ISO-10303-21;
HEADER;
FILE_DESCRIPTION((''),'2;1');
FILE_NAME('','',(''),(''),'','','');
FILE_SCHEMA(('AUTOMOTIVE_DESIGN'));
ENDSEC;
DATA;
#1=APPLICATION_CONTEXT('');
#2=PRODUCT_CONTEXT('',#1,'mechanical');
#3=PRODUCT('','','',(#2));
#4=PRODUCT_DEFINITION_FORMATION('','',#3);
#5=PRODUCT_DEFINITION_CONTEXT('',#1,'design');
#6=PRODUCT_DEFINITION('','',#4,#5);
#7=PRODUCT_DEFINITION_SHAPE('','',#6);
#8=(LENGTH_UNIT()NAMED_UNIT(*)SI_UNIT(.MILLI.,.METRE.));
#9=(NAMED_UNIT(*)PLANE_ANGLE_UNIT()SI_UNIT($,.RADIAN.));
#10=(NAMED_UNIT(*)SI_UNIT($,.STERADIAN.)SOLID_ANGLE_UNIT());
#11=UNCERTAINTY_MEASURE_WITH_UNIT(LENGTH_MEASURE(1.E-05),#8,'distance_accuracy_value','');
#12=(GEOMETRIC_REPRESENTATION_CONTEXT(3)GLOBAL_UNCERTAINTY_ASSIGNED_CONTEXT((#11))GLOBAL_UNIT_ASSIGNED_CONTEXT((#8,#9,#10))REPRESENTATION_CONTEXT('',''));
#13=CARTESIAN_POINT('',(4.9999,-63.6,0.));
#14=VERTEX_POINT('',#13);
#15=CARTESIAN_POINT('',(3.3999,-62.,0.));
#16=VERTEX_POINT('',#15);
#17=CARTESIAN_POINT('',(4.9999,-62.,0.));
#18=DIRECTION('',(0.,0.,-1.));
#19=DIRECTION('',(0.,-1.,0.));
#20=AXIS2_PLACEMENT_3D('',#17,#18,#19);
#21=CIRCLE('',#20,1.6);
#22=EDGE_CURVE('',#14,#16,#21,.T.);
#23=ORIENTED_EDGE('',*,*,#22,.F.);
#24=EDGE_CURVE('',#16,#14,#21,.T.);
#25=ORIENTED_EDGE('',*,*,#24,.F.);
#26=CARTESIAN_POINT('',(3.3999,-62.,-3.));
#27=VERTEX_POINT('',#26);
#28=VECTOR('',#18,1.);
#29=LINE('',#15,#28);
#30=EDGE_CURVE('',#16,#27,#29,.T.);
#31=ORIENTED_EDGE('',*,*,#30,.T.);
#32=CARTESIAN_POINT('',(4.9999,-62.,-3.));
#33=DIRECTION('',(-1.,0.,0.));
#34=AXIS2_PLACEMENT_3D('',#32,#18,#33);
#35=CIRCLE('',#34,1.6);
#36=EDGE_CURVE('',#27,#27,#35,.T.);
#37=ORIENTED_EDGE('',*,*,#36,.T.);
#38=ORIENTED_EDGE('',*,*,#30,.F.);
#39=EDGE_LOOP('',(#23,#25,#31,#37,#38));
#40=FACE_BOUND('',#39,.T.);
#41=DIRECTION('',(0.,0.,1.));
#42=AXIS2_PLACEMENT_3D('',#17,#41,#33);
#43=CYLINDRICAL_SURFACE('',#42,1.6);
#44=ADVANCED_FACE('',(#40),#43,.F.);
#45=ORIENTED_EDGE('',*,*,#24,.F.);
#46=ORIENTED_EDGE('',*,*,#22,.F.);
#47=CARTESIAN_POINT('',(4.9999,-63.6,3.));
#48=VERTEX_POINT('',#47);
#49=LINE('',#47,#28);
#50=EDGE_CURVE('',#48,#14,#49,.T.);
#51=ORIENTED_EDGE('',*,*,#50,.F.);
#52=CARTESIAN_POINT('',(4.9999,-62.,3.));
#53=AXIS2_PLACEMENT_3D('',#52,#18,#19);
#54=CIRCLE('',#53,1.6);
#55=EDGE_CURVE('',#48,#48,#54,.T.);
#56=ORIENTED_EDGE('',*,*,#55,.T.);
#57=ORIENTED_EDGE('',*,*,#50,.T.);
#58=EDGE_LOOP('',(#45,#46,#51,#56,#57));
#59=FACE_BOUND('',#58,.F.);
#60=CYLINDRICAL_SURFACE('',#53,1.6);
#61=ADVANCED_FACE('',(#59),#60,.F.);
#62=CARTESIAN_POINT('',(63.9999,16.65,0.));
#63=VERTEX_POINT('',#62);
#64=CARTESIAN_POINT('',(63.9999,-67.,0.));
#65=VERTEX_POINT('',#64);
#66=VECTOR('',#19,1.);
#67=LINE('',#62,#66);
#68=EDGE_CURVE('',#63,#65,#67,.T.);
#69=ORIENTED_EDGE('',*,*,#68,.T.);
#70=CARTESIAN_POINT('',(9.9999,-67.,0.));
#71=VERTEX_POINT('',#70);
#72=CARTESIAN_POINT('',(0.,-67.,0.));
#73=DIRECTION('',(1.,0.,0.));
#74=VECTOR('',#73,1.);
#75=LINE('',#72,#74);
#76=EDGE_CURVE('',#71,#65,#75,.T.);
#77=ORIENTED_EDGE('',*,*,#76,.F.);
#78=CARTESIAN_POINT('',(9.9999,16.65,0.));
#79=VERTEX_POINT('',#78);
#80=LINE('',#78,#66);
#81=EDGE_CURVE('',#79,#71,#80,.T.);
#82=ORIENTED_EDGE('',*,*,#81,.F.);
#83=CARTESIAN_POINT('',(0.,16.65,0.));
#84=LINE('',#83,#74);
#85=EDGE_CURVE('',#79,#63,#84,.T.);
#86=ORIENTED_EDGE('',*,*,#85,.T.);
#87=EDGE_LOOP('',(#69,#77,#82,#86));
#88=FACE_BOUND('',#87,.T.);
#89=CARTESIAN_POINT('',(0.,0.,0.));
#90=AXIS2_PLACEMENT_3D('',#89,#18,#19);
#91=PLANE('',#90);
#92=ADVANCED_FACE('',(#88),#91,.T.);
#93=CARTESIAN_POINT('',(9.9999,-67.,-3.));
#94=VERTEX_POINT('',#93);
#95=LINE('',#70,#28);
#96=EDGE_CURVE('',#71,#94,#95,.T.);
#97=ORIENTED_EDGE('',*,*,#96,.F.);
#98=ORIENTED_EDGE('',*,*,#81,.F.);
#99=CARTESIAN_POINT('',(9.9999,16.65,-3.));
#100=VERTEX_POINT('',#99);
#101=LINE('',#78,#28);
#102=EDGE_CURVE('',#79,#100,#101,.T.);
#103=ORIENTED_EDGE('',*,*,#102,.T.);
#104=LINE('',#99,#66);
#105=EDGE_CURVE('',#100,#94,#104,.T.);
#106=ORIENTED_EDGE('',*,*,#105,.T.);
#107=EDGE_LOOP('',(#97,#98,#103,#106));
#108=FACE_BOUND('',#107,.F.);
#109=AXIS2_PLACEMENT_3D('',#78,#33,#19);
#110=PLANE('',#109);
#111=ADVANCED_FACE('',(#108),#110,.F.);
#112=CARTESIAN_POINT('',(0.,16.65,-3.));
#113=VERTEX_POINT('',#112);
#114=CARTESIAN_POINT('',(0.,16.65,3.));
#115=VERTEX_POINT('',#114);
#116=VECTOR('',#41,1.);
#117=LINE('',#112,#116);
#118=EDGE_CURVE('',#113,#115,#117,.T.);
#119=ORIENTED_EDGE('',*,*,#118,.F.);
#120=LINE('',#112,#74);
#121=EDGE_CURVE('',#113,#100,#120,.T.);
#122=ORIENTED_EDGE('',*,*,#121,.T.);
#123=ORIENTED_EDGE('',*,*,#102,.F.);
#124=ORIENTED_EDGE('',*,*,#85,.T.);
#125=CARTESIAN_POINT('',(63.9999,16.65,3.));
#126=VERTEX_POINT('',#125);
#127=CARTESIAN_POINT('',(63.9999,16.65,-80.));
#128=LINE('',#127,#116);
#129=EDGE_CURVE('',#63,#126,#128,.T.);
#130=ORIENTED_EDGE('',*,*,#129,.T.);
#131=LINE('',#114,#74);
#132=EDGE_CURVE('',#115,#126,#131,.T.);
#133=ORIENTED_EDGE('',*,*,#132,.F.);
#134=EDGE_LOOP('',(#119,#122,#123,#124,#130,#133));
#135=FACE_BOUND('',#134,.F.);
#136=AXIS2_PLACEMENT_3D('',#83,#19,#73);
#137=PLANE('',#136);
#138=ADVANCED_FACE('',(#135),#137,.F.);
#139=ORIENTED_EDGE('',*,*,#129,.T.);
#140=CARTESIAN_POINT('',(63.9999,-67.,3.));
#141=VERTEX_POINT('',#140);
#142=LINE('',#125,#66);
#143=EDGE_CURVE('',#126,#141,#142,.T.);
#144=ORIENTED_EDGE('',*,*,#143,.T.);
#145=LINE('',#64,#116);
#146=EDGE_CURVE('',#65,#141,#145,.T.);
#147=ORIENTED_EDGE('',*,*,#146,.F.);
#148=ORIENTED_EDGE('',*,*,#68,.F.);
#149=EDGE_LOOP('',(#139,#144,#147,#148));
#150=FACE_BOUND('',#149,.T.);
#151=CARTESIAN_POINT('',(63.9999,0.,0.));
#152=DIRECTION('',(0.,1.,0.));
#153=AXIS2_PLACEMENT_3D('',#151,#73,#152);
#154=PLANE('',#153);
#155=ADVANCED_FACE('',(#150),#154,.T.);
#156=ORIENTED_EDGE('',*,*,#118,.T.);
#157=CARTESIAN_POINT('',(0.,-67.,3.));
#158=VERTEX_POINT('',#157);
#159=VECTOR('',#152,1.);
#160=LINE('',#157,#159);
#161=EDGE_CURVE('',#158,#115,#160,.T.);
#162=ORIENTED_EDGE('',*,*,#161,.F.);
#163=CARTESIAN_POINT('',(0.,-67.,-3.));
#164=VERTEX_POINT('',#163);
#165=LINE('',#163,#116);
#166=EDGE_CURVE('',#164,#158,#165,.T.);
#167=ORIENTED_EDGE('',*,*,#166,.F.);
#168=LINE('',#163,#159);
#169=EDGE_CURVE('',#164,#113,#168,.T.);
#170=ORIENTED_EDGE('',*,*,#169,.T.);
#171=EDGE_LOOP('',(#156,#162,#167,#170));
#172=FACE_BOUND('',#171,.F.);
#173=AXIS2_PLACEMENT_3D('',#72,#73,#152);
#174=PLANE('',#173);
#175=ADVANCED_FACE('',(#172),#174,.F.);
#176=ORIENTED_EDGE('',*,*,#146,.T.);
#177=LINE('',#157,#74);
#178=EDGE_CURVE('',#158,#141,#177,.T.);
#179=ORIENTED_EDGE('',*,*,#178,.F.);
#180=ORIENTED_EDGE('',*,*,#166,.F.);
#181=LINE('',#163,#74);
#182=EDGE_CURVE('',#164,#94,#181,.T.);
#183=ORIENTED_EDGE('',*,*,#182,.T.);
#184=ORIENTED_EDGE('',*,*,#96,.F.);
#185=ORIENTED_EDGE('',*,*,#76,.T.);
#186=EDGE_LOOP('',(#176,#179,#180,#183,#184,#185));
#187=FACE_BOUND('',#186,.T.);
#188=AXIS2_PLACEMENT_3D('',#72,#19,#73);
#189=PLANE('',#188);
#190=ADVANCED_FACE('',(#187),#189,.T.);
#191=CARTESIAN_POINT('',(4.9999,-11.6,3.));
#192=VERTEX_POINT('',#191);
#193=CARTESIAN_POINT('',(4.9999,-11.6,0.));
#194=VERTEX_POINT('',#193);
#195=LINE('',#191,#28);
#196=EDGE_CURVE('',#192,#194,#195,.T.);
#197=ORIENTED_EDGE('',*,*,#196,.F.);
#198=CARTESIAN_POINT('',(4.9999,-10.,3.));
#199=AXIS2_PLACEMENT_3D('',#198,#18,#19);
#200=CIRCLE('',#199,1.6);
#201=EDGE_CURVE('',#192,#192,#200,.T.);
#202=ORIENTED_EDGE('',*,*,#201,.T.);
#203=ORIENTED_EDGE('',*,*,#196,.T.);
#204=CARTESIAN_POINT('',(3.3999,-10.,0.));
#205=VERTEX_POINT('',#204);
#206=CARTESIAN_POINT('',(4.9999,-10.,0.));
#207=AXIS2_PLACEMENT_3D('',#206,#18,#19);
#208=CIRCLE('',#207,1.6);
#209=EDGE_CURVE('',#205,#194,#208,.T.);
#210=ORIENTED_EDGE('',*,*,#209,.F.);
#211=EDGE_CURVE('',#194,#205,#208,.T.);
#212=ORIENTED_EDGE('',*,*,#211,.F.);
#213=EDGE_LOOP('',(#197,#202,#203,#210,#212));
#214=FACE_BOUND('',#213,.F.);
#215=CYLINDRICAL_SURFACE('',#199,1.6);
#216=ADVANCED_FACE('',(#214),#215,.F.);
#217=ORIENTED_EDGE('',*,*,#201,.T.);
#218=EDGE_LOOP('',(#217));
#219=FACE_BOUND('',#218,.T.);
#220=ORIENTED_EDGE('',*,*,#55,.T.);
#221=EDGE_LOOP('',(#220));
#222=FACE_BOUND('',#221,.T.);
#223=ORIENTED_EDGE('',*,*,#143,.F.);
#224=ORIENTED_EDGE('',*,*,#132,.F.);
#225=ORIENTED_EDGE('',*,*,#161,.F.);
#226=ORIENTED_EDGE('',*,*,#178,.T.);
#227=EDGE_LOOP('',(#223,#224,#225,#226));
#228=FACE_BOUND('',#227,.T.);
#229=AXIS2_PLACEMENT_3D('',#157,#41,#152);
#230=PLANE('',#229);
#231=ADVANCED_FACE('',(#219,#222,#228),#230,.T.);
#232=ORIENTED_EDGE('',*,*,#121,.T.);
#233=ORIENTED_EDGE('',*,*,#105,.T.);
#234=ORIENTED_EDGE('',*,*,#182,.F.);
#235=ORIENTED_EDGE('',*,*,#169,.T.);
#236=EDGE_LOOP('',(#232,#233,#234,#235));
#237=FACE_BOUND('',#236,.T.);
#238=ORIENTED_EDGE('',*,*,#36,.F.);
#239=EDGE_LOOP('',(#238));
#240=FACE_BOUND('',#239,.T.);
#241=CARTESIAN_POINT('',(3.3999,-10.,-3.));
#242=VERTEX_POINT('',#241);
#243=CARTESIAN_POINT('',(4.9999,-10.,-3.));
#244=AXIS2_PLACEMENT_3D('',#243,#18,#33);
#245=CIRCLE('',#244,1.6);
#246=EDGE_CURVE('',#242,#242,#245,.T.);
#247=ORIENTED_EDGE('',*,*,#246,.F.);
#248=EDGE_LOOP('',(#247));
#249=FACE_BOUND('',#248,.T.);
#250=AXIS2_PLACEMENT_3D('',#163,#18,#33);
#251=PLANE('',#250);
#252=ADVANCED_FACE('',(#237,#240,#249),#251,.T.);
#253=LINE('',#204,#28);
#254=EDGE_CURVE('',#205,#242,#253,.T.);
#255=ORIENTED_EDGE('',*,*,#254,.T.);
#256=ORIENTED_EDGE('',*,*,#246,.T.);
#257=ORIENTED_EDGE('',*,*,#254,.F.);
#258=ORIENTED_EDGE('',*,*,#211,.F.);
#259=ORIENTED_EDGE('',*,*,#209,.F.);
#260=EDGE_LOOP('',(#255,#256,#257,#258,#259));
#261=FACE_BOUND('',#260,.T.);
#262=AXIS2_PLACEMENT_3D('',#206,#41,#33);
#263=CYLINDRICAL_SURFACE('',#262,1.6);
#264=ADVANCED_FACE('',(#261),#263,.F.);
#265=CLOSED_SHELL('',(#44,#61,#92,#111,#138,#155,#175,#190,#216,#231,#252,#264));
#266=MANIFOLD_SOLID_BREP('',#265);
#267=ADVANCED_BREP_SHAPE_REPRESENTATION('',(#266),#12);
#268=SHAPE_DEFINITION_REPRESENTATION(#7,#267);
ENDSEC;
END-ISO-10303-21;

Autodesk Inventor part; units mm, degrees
ref_plane "YZ Plane" through (0, 0, 0) normal (1, 0, 0) x (0, 1, 0)
ref_plane "Plano de trabajo7" through (63.9999, 14.8405, -83) normal (1, 0, 0) x (0, 1, 0)
sketch "Boceto2" plane through (0, 0, 0) normal (1, 0, 0) x (0, 1, 0)
  line L0 (0, 0) -> (-67, 0)
  line L1 (-67, 0) -> (-67, 3)
  line L2 (-67, 3) -> (0, 3)
  line L3 (0, 3) -> (0, 0)
  line L4 (16.65, -80) -> (16.65, 9) projected
  line L5 (0, 3) -> (16.65, 3)
  line L6 (16.65, 3) -> (16.65, 0)
  line L7 (16.65, 0) -> (0, 0)
  line L8 (0, 0) -> (0, 3)
  dimension "d2" = 67
  dimension "d3" = 3
extrude "Extrusión2" add sketch "Boceto2" along normal up to surface (63.9999 mm away)
sketch "Boceto8" plane through (0, -67, 3) normal (0, 0, 1) x (1, 0, 0)
  circle A0 centre (4.9999, 5) radius 2.1 projected
  circle A1 centre (4.9999, 57) radius 2.1 projected
  line L0 (-2.0001, 83.65) -> (-2.0001, 76.5) projected
  line L1 (-2.0001, 76.5) -> (-20.0001, 76.5) projected
  line L2 (-20.0001, 76.5) -> (-20.0001, 0) projected
  line L3 (9.9999, 0) -> (-20.0001, 0) projected
  line L4 (9.9999, 0) -> (9.9999, 83.65) projected
  line L5 (9.9999, 83.65) -> (-2.0001, 83.65) projected
  circle A2 centre (4.9999, 57) radius 1.6
  circle A3 centre (4.9999, 5) radius 1.6
  point P0 (0, 67)
  dimension "d31" = 3.2
  dimension "d32" = 3.2
hole "Agujero3" at (4.9999, -10, 3) at (4.9999, -62, 3) direction (0, 0, -1) diameter 3.2 depth 5
sketch "Boceto9" plane through (0, -67, 0) normal (0, 0, -1) x (-1, 0, 0)
  line L0 (-9.9999, 83.65) -> (-9.9999, 0) projected
  line L1 (-63.9999, 0) -> (-9.9999, 0) projected
  circle A0 centre (-4.9999, 5) radius 1.6 projected
  circle A1 centre (-4.9999, 57) radius 1.6 projected
  line L2 (0, 0) -> (0, 83.65) projected
  line L3 (0, 83.65) -> (-63.9999, 83.65) projected
  line L4 (0, 0) -> (-63.9999, 0) projected
  line L5 (-63.9999, 83.65) -> (-63.9999, 0) projected
  line L6 (-9.9999, 83.65) -> (-32.9722, 83.65) projected
  line L7 (-40.0761, 83.65) -> (-63.9999, 83.65) projected
  line L8 (-32.9722, 83.65) -> (-29.7863, 64.5577) projected
  line L9 (-34.4654, 63.5184) -> (-40.0761, 83.65) projected
  arc A2 (-34.4654, 63.5184) -> (-29.7863, 64.5577) centre (-32.1535, 64.1627) ccw projected
  line L10 (-63.9999, 83.65) -> (-63.9999, 0) projected
  point P0 (0, 67)
  point P1 (-63.9999, 0)
  point P2 (-37.9999, 83.65)
extrude "Extrusión6" add sketch "Boceto9" along normal blind 3 contours L3 L2 L4 L0
sketch "Boceto10" plane through (65, -67, 0) normal (0, 0, -1) x (-1, 0, 0)
  line L0 (24.0001, 83.65) -> (24.0001, 86.65) projected
  line L1 (24.0001, 83.65) -> (27.0001, 83.65)
  line L2 (65, 83.65) -> (1.0001, 83.65) projected
  line L3 (35.8799, 60.5564) -> (35.8799, 64.1631) projected
  line L4 (35.8799, 60.4) -> (35.8799, 60.5564) projected
  line L5 (35.8799, 60.4) -> (33.8799, 60.4)
  line L6 (27.0001, 83.65) -> (30.0001, 83.65)
  line L7 (30.0001, 83.65) -> (33.8799, 60.4)
  line L8 (33.8799, 60.4) -> (33.4799, 60.4)
  line L9 (33.4799, 60.4) -> (27.0001, 83.65)
  point P0 (65, 67)
  point P1 (0, 83.65)
  dimension "d42" = 3
  dimension "d43" = 2
  dimension "d44" = 3
  dimension "d48" = 0.4
ref_plane "Plano de trabajo6" through (9.9999, -67, -72) normal (0, 0, 1) x (1, 0, 0)
extrude "Extrusión7" [suppressed]
fillet "Empalme1" [suppressed]
fillet "Empalme2" [suppressed]
properties part number "Lateral derecho"
